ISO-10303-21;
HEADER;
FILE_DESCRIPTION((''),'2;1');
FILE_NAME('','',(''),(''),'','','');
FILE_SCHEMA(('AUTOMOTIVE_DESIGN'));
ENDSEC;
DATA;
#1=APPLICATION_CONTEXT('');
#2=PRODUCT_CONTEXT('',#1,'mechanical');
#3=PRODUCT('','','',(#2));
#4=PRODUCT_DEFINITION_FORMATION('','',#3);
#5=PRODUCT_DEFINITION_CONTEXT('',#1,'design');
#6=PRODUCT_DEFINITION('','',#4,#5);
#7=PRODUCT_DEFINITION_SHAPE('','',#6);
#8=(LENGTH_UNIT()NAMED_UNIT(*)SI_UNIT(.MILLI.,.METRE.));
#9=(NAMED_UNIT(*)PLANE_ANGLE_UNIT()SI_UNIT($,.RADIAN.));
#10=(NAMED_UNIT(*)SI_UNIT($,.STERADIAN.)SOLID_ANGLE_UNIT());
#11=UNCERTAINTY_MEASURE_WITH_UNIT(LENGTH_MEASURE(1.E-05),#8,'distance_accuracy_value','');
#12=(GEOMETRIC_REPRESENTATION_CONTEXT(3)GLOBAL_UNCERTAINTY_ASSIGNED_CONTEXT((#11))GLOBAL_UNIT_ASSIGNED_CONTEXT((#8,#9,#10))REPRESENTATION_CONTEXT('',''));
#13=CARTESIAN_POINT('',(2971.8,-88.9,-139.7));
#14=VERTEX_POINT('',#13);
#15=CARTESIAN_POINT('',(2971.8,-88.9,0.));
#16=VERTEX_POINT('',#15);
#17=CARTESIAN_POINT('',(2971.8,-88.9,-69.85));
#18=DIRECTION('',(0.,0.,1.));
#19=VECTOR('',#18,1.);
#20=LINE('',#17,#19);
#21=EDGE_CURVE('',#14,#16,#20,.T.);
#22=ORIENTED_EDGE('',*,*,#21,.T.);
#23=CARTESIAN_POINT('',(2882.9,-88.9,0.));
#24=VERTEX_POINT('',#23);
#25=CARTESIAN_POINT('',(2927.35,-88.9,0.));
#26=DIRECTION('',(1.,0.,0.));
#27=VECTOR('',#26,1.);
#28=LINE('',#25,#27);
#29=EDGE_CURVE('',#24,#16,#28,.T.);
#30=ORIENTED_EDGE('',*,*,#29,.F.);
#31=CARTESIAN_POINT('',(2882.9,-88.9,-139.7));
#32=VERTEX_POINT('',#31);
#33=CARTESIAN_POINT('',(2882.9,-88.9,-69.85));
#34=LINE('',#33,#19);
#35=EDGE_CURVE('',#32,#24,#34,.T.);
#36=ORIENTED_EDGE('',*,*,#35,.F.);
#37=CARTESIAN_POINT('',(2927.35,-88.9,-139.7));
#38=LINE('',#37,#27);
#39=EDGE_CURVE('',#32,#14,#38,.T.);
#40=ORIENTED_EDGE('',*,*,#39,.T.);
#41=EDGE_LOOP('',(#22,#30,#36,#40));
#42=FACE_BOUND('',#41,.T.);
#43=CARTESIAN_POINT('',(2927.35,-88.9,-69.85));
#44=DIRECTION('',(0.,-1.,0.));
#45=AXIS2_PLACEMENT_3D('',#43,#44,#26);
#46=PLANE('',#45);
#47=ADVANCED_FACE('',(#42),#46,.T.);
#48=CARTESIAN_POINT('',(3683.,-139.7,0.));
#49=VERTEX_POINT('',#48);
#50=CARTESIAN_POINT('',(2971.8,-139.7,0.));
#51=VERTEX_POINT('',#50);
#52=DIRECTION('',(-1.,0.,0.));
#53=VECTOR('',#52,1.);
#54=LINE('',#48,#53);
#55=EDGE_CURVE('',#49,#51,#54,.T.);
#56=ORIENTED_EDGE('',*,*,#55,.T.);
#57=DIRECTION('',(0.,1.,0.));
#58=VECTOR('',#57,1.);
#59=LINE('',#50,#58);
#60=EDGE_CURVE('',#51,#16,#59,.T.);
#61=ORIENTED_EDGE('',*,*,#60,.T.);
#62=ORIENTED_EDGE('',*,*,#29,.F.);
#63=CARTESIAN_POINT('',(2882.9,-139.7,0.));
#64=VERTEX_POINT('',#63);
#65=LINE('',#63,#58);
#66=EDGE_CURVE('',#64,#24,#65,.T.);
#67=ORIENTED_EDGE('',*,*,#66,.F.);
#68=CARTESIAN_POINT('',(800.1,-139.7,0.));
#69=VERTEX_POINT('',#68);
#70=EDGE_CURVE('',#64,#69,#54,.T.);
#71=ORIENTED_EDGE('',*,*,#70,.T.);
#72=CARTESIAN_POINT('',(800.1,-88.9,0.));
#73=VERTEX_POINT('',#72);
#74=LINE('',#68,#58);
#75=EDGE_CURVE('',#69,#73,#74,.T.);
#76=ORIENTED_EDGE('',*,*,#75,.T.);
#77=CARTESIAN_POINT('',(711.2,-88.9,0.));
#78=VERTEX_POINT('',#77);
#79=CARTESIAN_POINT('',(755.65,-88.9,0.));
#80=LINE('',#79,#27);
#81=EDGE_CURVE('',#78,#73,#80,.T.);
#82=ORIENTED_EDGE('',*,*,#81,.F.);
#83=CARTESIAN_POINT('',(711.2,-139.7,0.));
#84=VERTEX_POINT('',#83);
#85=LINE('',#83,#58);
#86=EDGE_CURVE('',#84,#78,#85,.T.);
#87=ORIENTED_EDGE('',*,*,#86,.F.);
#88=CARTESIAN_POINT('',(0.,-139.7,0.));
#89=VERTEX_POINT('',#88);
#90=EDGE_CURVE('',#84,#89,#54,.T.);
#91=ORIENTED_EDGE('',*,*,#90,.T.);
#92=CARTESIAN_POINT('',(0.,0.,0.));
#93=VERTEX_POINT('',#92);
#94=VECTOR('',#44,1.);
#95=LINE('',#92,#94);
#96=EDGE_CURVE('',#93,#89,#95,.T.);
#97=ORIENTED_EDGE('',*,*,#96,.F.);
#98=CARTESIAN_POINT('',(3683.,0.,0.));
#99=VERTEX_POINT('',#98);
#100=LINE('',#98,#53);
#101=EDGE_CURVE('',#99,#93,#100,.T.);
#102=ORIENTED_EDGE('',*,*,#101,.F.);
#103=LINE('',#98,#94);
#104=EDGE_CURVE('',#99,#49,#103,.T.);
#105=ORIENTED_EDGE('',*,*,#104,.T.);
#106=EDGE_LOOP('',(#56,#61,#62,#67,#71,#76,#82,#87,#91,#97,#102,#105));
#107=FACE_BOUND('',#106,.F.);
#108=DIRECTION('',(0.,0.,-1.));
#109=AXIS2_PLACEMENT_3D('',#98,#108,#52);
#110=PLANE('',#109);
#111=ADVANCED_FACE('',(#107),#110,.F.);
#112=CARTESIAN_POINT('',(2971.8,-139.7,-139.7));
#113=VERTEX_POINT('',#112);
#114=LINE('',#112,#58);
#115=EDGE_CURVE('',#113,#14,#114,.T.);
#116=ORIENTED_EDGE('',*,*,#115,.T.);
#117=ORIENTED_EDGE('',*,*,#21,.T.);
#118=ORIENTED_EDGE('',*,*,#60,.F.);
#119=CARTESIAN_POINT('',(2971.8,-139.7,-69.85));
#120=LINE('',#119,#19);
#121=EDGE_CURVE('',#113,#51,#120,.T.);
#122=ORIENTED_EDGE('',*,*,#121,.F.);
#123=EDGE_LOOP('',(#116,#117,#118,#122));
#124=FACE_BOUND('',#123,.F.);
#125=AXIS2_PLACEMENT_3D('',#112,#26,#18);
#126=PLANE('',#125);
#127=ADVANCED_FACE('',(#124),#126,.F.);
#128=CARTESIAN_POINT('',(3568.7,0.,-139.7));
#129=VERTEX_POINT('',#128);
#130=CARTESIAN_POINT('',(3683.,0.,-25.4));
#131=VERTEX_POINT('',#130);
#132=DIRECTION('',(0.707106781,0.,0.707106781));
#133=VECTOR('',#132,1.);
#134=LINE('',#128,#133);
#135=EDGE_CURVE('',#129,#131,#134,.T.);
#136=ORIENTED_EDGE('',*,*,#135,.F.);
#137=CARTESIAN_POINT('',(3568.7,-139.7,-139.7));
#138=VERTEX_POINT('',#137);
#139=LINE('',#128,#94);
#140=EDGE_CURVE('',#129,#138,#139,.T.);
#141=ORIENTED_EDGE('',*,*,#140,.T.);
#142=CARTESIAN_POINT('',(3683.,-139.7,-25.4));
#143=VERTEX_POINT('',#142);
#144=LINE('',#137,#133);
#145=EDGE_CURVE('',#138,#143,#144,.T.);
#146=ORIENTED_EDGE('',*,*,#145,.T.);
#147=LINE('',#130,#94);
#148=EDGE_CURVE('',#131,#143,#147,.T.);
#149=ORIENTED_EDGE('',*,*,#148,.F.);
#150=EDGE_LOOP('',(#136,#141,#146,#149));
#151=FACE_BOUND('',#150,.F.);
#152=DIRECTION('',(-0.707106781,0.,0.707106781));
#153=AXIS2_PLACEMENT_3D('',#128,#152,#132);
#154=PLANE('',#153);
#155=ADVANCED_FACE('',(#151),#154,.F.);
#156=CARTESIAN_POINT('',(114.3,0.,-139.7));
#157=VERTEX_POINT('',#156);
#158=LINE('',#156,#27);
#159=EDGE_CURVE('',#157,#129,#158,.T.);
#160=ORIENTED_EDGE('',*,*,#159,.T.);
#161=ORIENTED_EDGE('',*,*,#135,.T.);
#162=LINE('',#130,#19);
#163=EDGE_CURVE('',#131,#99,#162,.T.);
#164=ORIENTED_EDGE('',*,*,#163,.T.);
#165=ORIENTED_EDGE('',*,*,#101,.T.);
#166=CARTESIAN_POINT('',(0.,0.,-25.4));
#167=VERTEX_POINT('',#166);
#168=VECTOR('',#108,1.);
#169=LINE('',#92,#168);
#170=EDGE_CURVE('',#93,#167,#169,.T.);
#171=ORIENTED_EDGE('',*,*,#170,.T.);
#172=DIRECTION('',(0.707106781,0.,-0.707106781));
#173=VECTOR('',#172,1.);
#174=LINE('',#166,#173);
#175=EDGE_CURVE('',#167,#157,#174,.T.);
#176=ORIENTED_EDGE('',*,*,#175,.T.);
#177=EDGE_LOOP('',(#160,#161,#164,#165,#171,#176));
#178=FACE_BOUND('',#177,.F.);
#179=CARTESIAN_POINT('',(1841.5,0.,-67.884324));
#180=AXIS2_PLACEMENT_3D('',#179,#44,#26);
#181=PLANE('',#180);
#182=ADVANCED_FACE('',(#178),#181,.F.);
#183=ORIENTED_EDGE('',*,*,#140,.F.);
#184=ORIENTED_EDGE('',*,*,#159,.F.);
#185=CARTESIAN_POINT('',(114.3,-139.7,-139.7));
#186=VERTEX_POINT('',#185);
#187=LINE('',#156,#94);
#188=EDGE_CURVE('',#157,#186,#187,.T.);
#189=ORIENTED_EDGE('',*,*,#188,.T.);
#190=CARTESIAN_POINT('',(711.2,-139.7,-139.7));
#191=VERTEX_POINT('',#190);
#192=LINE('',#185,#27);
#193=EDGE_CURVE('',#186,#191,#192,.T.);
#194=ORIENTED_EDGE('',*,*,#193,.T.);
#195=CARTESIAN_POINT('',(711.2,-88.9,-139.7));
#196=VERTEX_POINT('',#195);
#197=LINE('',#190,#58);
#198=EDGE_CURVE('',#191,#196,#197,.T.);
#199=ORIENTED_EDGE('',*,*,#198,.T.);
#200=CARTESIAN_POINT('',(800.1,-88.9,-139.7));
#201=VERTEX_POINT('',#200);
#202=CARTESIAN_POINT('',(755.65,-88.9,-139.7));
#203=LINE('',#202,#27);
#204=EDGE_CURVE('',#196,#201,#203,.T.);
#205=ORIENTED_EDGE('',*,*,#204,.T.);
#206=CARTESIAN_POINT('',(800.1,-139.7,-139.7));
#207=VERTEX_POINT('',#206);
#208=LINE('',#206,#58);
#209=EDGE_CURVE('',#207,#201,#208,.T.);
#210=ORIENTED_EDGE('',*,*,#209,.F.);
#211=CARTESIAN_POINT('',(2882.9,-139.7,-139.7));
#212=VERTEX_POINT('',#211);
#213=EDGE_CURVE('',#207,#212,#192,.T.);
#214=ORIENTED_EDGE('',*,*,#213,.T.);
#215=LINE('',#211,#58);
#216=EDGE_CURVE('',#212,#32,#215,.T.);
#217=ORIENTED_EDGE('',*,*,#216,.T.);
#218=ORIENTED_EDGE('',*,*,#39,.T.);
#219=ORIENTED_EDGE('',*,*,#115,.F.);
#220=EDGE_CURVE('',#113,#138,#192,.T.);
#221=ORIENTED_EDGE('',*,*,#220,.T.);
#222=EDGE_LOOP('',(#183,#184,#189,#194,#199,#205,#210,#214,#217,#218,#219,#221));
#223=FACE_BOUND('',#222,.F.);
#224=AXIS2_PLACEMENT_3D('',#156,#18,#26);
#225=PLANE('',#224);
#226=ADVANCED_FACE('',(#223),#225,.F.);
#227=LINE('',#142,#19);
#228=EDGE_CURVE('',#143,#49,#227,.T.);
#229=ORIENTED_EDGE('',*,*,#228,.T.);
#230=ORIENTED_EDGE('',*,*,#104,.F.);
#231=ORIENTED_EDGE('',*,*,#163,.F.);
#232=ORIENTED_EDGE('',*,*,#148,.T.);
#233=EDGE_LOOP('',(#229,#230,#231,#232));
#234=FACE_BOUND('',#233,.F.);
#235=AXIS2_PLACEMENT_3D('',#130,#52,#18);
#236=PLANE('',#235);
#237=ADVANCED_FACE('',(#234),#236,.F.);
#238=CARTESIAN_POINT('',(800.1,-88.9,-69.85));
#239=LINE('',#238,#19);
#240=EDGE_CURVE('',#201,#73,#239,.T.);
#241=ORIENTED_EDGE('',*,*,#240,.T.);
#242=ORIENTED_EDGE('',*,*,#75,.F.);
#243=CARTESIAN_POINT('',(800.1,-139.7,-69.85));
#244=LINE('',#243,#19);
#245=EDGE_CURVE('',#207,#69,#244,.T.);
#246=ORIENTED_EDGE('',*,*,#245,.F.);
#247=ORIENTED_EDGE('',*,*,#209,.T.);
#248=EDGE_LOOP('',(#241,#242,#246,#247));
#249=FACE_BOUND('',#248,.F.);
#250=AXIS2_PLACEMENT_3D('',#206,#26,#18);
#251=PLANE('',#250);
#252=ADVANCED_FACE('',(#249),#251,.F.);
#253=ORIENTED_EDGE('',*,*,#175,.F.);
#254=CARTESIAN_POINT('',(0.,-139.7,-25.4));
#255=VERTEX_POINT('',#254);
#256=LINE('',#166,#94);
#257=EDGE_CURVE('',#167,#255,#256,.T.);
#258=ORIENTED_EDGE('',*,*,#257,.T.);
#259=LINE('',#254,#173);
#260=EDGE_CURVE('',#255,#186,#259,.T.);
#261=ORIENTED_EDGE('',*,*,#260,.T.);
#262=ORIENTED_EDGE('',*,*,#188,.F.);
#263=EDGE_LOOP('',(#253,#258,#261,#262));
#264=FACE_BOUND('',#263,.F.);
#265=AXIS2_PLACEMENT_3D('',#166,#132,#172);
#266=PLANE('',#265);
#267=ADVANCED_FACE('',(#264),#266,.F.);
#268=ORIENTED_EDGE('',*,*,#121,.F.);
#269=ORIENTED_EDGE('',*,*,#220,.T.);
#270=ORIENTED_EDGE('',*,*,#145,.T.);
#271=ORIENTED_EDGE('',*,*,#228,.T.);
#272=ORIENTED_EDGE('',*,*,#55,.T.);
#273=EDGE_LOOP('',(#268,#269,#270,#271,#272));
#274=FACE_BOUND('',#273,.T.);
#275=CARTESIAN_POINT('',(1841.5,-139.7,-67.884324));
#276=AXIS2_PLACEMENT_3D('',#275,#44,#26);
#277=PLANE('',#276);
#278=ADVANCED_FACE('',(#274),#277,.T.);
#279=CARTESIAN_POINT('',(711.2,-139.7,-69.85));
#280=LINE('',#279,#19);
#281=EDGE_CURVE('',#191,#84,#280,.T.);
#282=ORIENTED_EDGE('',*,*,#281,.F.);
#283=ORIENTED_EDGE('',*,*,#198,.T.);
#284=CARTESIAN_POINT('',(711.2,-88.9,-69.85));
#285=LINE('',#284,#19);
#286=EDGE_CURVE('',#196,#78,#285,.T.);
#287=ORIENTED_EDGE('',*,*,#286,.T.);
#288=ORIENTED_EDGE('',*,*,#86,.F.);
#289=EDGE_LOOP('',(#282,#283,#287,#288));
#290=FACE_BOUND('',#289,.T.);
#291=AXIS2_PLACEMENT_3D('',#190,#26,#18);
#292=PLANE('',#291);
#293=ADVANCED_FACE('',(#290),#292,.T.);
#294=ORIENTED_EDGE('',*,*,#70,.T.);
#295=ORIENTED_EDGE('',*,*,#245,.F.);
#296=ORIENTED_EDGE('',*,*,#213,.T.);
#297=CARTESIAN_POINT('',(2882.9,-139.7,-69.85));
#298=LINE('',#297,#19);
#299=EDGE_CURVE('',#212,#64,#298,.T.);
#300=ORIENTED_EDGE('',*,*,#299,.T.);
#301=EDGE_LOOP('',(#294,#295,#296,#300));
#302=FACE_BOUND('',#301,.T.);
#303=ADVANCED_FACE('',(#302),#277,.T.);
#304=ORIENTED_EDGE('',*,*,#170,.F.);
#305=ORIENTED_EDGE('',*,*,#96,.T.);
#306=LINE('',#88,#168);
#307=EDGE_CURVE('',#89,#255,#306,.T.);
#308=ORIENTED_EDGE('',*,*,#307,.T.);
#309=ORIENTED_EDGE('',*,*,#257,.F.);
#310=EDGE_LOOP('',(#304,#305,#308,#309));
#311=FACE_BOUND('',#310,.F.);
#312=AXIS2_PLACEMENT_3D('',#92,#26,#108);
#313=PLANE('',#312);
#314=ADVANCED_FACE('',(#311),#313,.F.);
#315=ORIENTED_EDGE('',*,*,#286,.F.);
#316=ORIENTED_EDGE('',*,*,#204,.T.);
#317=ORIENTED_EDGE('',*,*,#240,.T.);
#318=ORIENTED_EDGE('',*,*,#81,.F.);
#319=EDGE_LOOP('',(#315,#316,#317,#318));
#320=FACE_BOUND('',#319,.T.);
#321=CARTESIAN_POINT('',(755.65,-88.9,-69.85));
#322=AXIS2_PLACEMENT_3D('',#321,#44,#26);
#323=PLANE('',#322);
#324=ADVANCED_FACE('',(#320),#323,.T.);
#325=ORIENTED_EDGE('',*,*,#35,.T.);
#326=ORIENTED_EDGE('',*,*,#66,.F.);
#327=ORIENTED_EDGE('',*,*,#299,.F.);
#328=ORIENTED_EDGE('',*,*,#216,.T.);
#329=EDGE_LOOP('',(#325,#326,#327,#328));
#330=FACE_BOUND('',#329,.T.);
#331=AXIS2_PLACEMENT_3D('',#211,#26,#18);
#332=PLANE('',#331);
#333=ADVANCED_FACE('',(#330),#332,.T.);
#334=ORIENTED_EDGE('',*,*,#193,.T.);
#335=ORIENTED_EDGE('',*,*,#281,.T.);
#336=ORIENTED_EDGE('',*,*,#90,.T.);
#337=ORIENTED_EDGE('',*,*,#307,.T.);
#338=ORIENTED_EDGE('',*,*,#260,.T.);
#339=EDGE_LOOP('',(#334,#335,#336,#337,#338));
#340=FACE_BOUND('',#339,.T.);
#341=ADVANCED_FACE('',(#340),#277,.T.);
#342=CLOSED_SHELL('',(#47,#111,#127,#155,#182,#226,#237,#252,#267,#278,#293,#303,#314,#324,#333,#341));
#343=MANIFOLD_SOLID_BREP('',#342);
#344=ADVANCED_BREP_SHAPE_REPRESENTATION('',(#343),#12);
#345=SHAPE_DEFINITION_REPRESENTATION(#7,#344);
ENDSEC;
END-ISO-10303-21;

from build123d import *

# Parameters (mm, degrees)
F1_DEPTH = 139.7
F2_W     = 88.9
F2_H     = 139.7
F3_DEPTH = 50.8


with BuildPart() as f1:
    # F0 (on Front) → F1 (new body)
    with BuildSketch(Plane.XZ):
        Polygon((3683, 0), (0, 0), (0, -25.4), (114.3, -139.7), (3568.7, -139.7), (3683, -25.4), align=None)
    extrude(amount=F1_DEPTH)

    # F2 (on face) → F3 (cut)
    with BuildSketch(Plane.XZ.offset(139.7)):
        with Locations((755.65, -69.85)):
            Rectangle(F2_W, F2_H)
        with Locations((2927.35, -69.85)):
            Rectangle(F2_W, F2_H)
    extrude(amount=-F3_DEPTH, mode=Mode.SUBTRACT)


solid = f1.part
